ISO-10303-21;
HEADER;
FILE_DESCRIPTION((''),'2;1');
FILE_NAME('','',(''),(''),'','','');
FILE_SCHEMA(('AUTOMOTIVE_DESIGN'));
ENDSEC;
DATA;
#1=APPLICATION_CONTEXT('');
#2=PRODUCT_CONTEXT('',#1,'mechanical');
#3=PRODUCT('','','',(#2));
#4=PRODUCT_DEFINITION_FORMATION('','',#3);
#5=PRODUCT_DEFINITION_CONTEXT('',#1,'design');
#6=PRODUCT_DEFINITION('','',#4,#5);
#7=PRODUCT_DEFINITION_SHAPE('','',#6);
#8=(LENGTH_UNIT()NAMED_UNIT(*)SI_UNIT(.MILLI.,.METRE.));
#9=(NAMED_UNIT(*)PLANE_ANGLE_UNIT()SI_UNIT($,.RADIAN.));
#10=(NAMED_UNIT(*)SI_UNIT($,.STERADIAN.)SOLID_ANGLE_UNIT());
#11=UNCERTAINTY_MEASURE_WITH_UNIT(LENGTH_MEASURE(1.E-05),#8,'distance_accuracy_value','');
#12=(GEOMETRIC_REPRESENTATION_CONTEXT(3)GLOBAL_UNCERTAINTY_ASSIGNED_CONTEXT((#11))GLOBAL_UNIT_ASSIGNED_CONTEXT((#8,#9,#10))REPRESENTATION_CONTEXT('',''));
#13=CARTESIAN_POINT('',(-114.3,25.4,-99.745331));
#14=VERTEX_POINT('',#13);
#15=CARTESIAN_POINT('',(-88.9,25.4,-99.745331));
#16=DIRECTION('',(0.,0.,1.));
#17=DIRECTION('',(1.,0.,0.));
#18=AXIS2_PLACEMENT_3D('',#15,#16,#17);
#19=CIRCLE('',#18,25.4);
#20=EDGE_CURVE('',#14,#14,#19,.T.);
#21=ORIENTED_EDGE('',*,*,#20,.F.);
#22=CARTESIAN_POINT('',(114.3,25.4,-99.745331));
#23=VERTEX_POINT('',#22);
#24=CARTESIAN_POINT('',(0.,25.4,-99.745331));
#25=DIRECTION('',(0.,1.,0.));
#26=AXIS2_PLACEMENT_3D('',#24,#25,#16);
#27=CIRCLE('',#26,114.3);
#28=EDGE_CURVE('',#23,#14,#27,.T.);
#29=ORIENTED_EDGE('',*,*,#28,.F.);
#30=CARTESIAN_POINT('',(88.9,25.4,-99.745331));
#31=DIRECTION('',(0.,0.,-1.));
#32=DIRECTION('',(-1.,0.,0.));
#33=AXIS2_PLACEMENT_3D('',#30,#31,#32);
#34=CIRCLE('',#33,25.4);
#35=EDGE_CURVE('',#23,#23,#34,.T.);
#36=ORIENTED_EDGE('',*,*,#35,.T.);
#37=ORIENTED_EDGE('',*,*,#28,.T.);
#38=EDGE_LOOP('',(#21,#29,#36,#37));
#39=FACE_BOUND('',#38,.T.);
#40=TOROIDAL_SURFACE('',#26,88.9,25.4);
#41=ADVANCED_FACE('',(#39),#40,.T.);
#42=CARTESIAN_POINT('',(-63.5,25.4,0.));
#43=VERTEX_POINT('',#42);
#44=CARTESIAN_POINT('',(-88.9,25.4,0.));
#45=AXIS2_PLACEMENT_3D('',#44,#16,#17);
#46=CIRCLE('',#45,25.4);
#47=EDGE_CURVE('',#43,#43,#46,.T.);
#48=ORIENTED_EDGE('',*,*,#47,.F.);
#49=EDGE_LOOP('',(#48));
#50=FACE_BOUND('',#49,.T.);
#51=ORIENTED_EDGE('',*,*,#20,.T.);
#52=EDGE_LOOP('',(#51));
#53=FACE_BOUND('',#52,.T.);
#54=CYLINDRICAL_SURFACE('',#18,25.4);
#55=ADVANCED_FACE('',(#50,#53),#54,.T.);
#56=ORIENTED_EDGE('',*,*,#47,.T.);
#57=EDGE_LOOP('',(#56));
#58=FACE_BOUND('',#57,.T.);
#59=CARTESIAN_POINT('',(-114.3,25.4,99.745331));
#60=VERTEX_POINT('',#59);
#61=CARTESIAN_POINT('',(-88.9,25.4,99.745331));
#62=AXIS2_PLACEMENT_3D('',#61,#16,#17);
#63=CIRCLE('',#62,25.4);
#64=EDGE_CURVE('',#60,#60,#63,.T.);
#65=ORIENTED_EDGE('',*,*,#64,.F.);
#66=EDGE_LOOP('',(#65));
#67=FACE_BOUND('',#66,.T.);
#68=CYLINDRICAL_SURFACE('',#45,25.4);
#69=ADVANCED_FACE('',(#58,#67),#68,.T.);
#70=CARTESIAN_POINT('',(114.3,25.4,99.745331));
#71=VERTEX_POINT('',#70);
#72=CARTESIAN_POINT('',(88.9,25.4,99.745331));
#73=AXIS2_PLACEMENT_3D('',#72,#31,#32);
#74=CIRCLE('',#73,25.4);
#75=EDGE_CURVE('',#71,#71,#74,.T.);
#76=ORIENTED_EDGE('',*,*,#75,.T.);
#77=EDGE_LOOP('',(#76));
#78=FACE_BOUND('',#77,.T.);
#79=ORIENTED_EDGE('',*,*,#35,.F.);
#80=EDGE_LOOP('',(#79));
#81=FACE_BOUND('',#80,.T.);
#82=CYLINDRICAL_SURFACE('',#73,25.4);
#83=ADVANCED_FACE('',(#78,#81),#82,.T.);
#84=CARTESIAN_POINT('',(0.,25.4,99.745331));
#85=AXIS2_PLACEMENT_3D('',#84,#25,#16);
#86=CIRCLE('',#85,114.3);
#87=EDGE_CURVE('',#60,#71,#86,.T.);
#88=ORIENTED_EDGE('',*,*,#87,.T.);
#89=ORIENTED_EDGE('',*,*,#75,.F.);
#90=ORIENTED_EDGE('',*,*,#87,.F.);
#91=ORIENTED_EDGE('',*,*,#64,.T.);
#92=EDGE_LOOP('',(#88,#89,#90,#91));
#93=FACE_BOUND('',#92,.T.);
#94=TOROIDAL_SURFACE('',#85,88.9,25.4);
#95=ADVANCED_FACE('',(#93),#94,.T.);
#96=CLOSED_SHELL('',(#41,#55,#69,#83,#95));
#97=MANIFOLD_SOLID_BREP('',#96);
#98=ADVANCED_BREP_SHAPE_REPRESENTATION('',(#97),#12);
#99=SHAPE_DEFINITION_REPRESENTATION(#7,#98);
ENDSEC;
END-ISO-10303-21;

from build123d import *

# Parameters (mm, degrees)
SKETCH2_R = 25.4


with BuildPart() as part:
    # Sweep1: sweep along a path in Sketch1
    with BuildLine(Plane(origin=(0, 0, 0), x_dir=(1, 0, 0), z_dir=(0, 1, 0))) as sweep1_path:
        Line((-114.3, -99.745330847), (-114.3, 99.745330847))
        ThreePointArc((-114.3, 99.745330847), (0, 214.045330847), (114.3, 99.745330847))
        Line((114.3, 99.745330847), (114.3, -99.745330847))
        ThreePointArc((114.3, -99.745330847), (0, -214.045330847), (-114.3, -99.745330847))
    # Sketch2 → Sweep1 (sweep)
    with BuildSketch(Plane.XY):
        with Locations((-88.9, 25.4)):
            Circle(SKETCH2_R)
    sweep(path=sweep1_path.line)


solid = part.part
